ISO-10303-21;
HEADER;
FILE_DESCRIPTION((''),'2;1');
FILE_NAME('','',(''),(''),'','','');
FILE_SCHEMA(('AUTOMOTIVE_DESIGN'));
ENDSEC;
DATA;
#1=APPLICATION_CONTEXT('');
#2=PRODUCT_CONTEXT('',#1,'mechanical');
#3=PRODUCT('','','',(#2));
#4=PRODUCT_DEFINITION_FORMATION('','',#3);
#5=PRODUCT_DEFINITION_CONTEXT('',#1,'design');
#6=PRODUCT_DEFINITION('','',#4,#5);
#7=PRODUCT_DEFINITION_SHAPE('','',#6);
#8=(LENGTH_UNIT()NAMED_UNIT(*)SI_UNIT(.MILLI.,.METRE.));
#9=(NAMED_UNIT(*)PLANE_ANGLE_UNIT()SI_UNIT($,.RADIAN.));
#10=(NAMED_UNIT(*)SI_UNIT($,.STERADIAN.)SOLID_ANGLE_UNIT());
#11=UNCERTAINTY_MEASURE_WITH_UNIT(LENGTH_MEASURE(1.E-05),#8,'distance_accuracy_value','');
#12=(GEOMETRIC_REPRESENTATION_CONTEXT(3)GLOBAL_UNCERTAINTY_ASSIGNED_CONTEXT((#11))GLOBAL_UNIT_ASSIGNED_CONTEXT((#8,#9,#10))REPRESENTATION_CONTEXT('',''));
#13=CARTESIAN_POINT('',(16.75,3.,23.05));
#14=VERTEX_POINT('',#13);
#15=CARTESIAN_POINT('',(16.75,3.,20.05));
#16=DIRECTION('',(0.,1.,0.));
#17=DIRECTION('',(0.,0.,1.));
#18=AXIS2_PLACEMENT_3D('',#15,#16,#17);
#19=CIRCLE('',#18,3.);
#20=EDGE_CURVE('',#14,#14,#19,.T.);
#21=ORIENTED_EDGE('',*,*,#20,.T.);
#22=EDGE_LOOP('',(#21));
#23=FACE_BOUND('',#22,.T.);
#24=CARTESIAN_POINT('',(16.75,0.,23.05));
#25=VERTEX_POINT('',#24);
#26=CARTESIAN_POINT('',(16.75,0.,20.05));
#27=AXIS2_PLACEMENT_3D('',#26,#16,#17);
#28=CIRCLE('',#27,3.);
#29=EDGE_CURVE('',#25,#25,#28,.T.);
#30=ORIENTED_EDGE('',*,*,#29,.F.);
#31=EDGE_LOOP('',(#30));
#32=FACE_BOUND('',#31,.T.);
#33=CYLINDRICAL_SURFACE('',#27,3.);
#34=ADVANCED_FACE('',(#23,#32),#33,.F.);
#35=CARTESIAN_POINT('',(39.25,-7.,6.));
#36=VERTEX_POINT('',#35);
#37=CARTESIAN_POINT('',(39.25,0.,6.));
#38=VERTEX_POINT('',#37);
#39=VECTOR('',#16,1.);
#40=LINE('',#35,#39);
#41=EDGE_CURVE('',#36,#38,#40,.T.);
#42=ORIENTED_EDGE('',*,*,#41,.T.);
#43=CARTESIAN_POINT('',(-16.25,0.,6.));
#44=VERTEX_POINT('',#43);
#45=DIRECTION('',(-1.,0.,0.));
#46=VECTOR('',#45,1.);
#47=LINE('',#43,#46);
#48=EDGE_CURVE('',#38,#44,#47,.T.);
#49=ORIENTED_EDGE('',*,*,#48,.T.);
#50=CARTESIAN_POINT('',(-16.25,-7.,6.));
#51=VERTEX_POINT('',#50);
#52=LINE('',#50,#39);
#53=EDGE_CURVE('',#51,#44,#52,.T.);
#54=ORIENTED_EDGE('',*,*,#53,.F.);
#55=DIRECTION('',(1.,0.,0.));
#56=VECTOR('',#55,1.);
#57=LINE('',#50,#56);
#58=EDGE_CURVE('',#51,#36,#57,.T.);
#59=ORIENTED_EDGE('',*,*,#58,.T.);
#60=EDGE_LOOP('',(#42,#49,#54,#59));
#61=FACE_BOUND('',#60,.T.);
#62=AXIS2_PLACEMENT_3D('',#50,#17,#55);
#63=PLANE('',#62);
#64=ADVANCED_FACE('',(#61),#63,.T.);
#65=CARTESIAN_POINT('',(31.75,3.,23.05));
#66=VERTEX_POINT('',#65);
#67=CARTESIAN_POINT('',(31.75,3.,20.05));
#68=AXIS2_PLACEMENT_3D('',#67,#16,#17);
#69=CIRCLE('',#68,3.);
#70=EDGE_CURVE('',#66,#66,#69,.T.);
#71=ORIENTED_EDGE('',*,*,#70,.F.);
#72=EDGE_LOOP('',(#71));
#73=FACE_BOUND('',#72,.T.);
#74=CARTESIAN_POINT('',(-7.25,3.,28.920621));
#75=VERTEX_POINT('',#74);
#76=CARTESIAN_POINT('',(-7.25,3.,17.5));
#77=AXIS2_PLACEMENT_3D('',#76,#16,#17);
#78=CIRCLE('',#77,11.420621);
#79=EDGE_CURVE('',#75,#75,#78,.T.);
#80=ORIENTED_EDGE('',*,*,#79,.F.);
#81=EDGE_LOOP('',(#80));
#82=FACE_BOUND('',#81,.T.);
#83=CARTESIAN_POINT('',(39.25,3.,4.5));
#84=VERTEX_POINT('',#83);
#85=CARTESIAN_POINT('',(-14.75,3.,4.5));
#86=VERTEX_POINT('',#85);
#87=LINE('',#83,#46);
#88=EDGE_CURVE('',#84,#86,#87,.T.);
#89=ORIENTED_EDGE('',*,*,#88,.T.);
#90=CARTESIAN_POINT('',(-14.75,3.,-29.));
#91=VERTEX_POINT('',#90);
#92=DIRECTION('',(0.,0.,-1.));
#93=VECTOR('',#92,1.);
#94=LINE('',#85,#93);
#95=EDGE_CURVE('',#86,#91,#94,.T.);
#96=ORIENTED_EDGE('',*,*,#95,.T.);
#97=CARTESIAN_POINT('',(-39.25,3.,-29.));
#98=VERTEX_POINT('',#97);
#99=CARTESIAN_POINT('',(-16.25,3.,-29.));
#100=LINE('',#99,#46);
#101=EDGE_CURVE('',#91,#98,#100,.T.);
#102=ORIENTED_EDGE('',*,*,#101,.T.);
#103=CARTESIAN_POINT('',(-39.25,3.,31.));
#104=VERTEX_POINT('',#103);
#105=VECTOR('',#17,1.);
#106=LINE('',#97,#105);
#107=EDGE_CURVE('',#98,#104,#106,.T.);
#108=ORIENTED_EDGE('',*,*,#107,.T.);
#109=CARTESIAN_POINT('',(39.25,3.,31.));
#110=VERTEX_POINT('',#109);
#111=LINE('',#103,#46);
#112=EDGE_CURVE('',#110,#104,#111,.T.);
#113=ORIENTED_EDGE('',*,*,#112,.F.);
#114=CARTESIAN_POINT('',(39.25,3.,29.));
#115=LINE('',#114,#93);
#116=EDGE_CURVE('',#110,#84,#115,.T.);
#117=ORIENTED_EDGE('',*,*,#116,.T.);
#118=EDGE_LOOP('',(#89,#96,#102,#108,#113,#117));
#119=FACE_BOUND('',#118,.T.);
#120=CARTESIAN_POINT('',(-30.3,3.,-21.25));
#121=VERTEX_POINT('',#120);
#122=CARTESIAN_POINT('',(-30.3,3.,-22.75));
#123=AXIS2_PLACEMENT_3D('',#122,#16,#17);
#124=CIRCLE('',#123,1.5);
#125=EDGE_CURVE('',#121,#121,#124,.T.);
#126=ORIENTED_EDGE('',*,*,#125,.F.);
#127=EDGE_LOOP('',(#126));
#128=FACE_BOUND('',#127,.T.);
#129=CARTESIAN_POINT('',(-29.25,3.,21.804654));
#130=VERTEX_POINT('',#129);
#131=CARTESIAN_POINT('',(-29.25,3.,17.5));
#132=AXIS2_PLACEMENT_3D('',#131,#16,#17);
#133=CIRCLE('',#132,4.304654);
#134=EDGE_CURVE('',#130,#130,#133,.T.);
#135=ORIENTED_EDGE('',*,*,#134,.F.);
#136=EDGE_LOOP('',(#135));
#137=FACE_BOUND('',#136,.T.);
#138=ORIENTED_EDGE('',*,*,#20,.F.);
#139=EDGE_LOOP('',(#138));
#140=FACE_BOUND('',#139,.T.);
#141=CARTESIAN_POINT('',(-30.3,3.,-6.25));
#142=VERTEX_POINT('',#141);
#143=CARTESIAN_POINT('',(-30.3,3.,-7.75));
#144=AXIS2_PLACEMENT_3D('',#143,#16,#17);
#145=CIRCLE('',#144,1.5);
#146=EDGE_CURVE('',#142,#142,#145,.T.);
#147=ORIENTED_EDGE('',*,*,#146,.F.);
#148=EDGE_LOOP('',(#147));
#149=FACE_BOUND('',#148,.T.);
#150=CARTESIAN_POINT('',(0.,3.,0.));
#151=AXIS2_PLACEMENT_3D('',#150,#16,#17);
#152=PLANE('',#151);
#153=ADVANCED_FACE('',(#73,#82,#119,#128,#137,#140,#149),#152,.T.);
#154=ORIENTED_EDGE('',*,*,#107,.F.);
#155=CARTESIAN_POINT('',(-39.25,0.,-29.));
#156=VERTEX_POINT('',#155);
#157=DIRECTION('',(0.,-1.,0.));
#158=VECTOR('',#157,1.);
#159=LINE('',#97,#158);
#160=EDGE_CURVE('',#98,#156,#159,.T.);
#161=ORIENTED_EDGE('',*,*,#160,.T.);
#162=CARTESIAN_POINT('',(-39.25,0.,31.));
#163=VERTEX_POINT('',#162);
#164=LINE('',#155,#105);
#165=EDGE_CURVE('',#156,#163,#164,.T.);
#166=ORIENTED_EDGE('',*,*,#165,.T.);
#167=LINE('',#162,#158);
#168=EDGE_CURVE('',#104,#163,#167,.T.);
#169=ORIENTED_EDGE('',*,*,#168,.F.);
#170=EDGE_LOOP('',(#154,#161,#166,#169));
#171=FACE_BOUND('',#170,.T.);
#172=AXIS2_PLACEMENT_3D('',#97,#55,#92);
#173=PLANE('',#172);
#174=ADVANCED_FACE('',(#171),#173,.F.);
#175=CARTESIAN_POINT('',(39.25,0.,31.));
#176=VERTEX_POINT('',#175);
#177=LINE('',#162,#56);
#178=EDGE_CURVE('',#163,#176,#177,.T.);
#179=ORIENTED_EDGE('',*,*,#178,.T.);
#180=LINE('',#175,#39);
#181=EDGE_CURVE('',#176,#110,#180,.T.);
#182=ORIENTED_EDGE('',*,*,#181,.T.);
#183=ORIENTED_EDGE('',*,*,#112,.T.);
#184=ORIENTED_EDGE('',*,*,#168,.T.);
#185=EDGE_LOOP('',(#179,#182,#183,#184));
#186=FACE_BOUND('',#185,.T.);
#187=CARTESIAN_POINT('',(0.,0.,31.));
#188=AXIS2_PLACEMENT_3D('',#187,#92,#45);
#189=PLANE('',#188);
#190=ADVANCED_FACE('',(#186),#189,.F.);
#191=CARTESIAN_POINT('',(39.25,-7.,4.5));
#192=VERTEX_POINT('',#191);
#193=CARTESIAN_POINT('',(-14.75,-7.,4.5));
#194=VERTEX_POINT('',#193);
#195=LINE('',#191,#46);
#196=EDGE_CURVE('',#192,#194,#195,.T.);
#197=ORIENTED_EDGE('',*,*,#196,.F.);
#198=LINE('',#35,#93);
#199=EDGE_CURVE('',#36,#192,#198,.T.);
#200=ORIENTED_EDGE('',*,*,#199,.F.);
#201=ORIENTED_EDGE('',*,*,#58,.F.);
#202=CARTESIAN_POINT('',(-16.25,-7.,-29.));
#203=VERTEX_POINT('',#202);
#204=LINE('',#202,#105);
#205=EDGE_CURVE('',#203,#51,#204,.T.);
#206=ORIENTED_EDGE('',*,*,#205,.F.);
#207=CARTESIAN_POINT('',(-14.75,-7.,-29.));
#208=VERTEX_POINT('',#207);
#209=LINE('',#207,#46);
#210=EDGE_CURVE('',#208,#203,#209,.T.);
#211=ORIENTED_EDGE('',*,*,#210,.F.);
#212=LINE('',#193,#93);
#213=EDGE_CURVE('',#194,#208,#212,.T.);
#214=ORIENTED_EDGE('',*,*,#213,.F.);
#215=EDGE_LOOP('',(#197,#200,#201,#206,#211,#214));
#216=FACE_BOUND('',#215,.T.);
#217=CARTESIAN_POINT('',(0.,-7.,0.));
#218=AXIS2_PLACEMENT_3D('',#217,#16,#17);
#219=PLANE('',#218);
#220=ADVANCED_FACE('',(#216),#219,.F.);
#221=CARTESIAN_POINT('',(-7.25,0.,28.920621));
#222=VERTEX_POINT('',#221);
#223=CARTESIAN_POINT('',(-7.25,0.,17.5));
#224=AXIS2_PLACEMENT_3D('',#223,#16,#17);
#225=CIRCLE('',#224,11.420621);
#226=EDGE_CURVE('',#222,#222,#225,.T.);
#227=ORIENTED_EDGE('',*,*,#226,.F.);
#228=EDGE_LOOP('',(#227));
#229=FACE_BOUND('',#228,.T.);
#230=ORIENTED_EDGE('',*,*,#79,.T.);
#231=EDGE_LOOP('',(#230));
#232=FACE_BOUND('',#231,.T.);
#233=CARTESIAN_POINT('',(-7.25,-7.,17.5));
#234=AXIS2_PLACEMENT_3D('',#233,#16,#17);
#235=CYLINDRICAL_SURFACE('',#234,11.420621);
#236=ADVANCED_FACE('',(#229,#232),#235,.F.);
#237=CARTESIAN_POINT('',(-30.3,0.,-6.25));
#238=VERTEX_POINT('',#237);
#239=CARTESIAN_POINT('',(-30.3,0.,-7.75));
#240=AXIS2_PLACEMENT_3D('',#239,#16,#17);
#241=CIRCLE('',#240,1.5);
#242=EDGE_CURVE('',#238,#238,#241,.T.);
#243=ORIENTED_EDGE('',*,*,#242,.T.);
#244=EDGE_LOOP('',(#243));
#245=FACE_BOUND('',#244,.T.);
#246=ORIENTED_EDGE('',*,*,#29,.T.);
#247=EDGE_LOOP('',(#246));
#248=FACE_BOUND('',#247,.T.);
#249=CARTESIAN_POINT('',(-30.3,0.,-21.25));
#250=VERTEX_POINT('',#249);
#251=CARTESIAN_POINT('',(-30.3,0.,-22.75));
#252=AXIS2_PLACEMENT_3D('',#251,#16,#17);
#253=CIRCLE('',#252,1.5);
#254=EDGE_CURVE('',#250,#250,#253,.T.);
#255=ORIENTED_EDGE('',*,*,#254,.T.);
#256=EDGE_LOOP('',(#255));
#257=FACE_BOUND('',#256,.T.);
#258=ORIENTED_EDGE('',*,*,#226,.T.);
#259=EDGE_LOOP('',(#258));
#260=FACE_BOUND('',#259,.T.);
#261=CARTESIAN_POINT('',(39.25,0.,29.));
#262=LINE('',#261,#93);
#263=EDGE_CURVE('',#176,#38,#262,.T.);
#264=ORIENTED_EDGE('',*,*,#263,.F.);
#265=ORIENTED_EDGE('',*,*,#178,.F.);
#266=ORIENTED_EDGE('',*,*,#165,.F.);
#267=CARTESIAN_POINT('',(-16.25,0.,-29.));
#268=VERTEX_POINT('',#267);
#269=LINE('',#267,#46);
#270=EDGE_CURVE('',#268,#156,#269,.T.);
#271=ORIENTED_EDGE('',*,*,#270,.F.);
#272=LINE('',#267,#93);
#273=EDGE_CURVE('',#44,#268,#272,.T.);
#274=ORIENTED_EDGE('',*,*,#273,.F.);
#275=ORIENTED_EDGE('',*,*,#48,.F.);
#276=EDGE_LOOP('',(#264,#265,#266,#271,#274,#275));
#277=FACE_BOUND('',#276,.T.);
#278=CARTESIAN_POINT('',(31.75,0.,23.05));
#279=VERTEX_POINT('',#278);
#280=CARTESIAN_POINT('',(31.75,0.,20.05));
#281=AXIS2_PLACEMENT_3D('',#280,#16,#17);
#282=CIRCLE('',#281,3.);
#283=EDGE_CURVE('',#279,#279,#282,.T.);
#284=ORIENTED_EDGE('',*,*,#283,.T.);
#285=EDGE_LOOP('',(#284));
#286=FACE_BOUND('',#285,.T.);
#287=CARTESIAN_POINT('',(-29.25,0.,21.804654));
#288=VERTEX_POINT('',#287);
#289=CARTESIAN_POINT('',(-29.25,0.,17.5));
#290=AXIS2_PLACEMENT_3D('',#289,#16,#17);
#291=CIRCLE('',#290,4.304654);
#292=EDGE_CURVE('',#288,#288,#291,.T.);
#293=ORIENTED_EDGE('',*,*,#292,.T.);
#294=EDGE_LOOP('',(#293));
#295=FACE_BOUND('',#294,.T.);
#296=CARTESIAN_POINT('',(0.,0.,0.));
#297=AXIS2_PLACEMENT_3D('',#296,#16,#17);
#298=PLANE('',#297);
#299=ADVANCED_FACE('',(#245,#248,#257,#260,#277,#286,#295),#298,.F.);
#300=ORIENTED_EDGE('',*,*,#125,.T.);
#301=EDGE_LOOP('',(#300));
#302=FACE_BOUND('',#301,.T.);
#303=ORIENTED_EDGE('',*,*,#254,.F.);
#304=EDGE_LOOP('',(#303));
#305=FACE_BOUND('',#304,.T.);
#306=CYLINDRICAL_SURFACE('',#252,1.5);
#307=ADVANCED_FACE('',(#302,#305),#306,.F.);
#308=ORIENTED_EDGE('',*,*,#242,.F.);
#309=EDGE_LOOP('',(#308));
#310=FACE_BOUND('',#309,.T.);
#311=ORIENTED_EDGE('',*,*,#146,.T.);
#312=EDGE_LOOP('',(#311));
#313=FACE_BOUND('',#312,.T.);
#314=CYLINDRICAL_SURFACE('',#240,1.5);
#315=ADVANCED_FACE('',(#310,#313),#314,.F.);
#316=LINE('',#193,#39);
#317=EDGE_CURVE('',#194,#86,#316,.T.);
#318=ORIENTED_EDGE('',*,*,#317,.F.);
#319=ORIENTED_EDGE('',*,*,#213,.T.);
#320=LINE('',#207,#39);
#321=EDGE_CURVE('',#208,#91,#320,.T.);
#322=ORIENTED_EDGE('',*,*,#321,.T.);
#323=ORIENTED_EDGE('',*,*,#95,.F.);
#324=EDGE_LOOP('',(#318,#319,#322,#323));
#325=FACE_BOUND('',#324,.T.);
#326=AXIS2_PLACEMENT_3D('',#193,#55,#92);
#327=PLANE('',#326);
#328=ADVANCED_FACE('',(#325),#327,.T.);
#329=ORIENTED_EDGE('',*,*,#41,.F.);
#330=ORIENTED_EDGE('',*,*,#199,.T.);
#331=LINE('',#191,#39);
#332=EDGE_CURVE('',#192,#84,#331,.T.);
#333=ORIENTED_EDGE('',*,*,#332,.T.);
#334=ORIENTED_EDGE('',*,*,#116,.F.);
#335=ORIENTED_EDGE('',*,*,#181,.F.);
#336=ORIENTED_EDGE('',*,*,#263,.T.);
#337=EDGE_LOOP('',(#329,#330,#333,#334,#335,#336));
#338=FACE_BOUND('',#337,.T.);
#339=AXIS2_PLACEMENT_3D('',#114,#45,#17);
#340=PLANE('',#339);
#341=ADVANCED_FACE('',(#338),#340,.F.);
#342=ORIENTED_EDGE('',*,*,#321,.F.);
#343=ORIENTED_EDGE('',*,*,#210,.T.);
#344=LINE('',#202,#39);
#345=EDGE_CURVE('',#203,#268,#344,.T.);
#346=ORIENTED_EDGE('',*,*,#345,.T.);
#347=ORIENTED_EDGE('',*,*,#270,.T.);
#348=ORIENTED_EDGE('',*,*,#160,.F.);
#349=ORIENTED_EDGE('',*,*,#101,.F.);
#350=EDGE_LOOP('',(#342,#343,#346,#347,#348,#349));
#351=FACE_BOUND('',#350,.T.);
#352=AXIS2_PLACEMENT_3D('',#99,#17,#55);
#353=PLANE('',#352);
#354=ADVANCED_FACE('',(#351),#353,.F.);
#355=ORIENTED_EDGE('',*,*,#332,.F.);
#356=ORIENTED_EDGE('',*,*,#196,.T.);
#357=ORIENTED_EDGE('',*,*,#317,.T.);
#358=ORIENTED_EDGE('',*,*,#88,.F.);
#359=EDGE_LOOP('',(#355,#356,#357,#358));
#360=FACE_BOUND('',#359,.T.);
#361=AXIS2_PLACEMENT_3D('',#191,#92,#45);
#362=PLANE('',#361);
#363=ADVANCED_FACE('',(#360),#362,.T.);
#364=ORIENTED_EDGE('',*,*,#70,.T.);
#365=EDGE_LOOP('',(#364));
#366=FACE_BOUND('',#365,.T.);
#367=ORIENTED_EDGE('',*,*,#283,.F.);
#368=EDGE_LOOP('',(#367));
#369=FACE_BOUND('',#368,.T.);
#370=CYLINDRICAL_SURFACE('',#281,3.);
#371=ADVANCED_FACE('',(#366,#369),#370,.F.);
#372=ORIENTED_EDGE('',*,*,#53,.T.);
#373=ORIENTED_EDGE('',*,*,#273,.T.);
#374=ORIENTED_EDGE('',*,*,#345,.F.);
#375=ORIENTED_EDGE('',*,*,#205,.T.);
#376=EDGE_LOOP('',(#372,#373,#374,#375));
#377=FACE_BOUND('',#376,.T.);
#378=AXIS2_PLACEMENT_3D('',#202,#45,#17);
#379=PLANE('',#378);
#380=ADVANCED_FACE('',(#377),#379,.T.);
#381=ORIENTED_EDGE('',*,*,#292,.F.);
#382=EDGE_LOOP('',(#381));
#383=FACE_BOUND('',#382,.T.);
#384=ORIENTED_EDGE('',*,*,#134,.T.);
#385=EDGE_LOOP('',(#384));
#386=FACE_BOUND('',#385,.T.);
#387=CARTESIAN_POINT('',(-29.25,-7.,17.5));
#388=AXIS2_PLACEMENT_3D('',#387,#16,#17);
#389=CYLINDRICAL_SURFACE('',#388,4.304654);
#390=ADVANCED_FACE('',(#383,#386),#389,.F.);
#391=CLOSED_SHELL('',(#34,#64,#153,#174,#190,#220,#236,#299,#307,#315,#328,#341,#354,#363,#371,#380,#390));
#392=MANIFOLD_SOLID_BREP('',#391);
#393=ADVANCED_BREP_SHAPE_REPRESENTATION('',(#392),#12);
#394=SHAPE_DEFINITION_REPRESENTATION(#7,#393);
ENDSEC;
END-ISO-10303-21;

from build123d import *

# Parameters (mm, degrees)
SALIENTE_EXTRUIR1_DEPTH = 3
CROQUIS2_R              = 3
CROQUIS2_R_2            = 1.5
CORTAR_EXTRUIR2_DEPTH   = 4
SALIENTE_EXTRUIR2_DEPTH = 10
CROQUIS4_R              = 11.420621249
CORTAR_EXTRUIR3_DEPTH   = 11
CROQUIS5_W              = 78.5
CROQUIS5_H              = 3
SALIENTE_EXTRUIR3_DEPTH = 2
CROQUIS6_R              = 4.304654485
CORTAR_EXTRUIR4_DEPTH   = 11


with BuildPart() as part:
    # Croquis1 → Saliente-Extruir1 (new body)
    with BuildSketch(Plane(origin=(0, 0, 0), x_dir=(1, 0, 0), z_dir=(0, 1, 0))):
        Polygon((-16.25, 29), (-16.25, -6), (39.25, -6), (39.25, -29), (-39.25, -29), (-39.25, 29), align=None)
    extrude(amount=SALIENTE_EXTRUIR1_DEPTH)

    # Croquis2 → Cortar-Extruir2 (cut, through all)
    with BuildSketch(Plane(origin=(0, 3, 0), x_dir=(1, 0, 0), z_dir=(0, 1, 0))):
        with Locations((31.75, -20.05)):
            Circle(CROQUIS2_R)
        with Locations((16.75, -20.05)):
            Circle(CROQUIS2_R)
        with Locations((-30.3, 22.75)):
            Circle(CROQUIS2_R_2)
        with Locations((-30.3, 7.75)):
            Circle(CROQUIS2_R_2)
    extrude(amount=-CORTAR_EXTRUIR2_DEPTH, mode=Mode.SUBTRACT)

    # Croquis3 → Saliente-Extruir2 (add)
    with BuildSketch(Plane(origin=(0, 3, 0), x_dir=(1, 0, 0), z_dir=(0, 1, 0))):
        Polygon((-16.25, 29), (-16.25, -6), (39.25, -6), (39.25, -4.5), (-14.75, -4.5), (-14.75, 29), align=None)
    extrude(amount=-SALIENTE_EXTRUIR2_DEPTH)

    # Croquis4 → Cortar-Extruir3 (cut, through all)
    with BuildSketch(Plane(origin=(0, 3, 0), x_dir=(1, 0, 0), z_dir=(0, 1, 0))):
        with Locations((-7.25, -17.5)):
            Circle(CROQUIS4_R)
    extrude(amount=-CORTAR_EXTRUIR3_DEPTH, mode=Mode.SUBTRACT)

    # Croquis5 → Saliente-Extruir3 (add)
    with BuildSketch(Plane.XY.offset(29)):
        with Locations((0, 1.5)):
            Rectangle(CROQUIS5_W, CROQUIS5_H)
    extrude(amount=SALIENTE_EXTRUIR3_DEPTH)

    # Croquis6 → Cortar-Extruir4 (cut, through all)
    with BuildSketch(Plane(origin=(0, 3, 0), x_dir=(1, 0, 0), z_dir=(0, 1, 0))):
        with Locations((-29.25, -17.5)):
            Circle(CROQUIS6_R)
    extrude(amount=-CORTAR_EXTRUIR4_DEPTH, mode=Mode.SUBTRACT)


solid = part.part
